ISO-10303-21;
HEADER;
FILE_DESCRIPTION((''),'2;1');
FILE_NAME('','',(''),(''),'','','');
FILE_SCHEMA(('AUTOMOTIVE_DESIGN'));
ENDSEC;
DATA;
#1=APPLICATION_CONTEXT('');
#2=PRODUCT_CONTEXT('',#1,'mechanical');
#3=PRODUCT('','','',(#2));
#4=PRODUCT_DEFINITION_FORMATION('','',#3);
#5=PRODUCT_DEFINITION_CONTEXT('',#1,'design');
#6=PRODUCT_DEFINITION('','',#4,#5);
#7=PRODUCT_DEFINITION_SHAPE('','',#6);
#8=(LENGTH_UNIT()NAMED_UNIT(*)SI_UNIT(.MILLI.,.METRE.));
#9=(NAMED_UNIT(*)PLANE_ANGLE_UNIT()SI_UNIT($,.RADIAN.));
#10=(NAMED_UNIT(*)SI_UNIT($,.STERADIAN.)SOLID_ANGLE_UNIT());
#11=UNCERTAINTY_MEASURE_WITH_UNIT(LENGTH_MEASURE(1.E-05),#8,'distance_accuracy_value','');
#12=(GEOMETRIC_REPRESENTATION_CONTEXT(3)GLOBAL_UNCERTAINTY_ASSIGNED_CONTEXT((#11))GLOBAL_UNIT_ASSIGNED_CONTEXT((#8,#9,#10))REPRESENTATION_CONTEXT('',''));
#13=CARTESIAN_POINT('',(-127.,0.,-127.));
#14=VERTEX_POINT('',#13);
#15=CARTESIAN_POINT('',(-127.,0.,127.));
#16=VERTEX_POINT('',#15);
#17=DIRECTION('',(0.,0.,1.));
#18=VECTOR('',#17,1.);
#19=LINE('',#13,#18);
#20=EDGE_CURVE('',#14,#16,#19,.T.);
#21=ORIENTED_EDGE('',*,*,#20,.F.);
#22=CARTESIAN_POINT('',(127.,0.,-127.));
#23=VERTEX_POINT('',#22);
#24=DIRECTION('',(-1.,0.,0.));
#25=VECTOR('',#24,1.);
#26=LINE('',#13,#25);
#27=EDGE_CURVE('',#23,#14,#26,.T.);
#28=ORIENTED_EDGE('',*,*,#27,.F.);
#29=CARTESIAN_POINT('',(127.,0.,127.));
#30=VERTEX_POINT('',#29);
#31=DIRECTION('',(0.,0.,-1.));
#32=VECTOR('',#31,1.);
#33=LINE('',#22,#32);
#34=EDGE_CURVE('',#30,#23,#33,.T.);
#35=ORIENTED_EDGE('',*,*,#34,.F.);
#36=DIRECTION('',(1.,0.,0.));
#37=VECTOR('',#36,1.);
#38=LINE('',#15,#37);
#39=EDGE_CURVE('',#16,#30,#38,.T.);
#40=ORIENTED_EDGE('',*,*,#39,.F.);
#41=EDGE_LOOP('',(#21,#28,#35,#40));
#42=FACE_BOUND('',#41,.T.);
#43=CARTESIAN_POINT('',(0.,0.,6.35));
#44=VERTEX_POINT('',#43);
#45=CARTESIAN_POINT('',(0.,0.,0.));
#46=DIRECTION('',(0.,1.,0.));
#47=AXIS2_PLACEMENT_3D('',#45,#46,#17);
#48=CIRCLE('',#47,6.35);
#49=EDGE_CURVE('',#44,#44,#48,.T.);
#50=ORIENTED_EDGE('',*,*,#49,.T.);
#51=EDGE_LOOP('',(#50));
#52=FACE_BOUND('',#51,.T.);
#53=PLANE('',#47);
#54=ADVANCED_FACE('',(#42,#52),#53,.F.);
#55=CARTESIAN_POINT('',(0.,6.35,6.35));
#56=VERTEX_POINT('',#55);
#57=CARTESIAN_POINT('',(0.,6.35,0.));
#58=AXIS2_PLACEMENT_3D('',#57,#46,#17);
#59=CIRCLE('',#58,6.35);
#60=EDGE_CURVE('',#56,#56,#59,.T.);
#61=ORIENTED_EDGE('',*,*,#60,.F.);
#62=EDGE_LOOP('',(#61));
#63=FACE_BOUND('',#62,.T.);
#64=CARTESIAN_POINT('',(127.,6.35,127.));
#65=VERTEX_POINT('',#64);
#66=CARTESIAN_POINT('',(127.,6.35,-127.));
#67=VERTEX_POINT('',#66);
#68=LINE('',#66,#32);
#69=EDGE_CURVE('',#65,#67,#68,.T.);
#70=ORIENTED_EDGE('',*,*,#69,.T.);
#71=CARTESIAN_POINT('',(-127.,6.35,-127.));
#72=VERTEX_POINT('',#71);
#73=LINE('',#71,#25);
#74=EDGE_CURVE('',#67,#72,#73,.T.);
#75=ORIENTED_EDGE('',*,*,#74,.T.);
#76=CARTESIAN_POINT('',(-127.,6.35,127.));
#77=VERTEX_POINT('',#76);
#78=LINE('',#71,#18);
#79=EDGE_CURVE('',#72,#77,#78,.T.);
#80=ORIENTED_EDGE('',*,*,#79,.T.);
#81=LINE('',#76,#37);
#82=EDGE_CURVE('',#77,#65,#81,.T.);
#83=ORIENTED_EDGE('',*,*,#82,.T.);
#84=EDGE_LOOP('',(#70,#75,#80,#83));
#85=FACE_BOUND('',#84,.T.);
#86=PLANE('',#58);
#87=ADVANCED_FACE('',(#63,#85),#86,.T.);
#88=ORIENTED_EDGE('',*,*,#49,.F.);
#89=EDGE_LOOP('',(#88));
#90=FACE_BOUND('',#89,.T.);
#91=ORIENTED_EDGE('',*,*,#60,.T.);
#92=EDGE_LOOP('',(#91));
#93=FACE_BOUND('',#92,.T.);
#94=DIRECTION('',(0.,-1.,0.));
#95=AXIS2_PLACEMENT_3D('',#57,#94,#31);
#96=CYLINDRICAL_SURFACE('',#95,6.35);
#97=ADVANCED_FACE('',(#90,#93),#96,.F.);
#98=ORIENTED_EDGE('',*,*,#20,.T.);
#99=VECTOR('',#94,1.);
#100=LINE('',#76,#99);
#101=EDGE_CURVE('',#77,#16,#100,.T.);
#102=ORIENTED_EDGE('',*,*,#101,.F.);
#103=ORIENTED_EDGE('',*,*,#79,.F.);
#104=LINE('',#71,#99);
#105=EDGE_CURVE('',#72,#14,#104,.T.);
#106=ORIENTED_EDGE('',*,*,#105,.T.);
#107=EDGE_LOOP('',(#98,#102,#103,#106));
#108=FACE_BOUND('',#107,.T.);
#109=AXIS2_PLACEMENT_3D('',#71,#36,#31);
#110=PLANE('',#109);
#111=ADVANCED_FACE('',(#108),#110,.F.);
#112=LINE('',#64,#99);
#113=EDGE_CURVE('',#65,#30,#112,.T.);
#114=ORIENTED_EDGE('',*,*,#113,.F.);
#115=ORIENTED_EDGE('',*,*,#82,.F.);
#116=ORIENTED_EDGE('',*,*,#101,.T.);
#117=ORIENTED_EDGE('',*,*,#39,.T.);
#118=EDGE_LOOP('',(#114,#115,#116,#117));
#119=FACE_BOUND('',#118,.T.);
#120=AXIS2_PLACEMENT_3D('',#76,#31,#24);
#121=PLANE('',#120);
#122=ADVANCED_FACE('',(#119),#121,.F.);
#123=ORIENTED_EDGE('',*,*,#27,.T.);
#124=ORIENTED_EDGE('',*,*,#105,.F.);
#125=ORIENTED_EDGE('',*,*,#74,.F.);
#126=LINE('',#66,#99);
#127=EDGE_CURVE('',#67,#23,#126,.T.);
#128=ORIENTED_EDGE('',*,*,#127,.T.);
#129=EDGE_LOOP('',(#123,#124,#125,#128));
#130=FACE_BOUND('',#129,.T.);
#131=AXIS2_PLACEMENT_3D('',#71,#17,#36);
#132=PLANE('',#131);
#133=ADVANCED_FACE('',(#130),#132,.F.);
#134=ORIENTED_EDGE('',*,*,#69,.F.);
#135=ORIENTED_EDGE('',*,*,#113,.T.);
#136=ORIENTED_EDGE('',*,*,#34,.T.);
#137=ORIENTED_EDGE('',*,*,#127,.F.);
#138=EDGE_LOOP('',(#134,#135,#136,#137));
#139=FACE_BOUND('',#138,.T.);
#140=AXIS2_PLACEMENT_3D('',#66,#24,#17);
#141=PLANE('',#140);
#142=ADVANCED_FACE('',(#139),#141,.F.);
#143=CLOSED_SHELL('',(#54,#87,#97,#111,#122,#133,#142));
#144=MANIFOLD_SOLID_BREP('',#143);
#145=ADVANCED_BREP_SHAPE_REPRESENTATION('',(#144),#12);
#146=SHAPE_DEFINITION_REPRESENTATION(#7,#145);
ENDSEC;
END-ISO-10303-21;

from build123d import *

# Parameters (mm, degrees)
SKETCH1_W           = 254
SKETCH1_H           = 254
SKETCH1_R           = 6.35
BOSS_EXTRUDE1_DEPTH = 6.35


with BuildPart() as part:
    # Sketch1 → Boss-Extrude1 (new body)
    with BuildSketch(Plane(origin=(0, 0, 0), x_dir=(1, 0, 0), z_dir=(0, 1, 0))):
        Rectangle(SKETCH1_W, SKETCH1_H)
        Circle(SKETCH1_R, mode=Mode.SUBTRACT)
    extrude(amount=BOSS_EXTRUDE1_DEPTH)


solid = part.part
